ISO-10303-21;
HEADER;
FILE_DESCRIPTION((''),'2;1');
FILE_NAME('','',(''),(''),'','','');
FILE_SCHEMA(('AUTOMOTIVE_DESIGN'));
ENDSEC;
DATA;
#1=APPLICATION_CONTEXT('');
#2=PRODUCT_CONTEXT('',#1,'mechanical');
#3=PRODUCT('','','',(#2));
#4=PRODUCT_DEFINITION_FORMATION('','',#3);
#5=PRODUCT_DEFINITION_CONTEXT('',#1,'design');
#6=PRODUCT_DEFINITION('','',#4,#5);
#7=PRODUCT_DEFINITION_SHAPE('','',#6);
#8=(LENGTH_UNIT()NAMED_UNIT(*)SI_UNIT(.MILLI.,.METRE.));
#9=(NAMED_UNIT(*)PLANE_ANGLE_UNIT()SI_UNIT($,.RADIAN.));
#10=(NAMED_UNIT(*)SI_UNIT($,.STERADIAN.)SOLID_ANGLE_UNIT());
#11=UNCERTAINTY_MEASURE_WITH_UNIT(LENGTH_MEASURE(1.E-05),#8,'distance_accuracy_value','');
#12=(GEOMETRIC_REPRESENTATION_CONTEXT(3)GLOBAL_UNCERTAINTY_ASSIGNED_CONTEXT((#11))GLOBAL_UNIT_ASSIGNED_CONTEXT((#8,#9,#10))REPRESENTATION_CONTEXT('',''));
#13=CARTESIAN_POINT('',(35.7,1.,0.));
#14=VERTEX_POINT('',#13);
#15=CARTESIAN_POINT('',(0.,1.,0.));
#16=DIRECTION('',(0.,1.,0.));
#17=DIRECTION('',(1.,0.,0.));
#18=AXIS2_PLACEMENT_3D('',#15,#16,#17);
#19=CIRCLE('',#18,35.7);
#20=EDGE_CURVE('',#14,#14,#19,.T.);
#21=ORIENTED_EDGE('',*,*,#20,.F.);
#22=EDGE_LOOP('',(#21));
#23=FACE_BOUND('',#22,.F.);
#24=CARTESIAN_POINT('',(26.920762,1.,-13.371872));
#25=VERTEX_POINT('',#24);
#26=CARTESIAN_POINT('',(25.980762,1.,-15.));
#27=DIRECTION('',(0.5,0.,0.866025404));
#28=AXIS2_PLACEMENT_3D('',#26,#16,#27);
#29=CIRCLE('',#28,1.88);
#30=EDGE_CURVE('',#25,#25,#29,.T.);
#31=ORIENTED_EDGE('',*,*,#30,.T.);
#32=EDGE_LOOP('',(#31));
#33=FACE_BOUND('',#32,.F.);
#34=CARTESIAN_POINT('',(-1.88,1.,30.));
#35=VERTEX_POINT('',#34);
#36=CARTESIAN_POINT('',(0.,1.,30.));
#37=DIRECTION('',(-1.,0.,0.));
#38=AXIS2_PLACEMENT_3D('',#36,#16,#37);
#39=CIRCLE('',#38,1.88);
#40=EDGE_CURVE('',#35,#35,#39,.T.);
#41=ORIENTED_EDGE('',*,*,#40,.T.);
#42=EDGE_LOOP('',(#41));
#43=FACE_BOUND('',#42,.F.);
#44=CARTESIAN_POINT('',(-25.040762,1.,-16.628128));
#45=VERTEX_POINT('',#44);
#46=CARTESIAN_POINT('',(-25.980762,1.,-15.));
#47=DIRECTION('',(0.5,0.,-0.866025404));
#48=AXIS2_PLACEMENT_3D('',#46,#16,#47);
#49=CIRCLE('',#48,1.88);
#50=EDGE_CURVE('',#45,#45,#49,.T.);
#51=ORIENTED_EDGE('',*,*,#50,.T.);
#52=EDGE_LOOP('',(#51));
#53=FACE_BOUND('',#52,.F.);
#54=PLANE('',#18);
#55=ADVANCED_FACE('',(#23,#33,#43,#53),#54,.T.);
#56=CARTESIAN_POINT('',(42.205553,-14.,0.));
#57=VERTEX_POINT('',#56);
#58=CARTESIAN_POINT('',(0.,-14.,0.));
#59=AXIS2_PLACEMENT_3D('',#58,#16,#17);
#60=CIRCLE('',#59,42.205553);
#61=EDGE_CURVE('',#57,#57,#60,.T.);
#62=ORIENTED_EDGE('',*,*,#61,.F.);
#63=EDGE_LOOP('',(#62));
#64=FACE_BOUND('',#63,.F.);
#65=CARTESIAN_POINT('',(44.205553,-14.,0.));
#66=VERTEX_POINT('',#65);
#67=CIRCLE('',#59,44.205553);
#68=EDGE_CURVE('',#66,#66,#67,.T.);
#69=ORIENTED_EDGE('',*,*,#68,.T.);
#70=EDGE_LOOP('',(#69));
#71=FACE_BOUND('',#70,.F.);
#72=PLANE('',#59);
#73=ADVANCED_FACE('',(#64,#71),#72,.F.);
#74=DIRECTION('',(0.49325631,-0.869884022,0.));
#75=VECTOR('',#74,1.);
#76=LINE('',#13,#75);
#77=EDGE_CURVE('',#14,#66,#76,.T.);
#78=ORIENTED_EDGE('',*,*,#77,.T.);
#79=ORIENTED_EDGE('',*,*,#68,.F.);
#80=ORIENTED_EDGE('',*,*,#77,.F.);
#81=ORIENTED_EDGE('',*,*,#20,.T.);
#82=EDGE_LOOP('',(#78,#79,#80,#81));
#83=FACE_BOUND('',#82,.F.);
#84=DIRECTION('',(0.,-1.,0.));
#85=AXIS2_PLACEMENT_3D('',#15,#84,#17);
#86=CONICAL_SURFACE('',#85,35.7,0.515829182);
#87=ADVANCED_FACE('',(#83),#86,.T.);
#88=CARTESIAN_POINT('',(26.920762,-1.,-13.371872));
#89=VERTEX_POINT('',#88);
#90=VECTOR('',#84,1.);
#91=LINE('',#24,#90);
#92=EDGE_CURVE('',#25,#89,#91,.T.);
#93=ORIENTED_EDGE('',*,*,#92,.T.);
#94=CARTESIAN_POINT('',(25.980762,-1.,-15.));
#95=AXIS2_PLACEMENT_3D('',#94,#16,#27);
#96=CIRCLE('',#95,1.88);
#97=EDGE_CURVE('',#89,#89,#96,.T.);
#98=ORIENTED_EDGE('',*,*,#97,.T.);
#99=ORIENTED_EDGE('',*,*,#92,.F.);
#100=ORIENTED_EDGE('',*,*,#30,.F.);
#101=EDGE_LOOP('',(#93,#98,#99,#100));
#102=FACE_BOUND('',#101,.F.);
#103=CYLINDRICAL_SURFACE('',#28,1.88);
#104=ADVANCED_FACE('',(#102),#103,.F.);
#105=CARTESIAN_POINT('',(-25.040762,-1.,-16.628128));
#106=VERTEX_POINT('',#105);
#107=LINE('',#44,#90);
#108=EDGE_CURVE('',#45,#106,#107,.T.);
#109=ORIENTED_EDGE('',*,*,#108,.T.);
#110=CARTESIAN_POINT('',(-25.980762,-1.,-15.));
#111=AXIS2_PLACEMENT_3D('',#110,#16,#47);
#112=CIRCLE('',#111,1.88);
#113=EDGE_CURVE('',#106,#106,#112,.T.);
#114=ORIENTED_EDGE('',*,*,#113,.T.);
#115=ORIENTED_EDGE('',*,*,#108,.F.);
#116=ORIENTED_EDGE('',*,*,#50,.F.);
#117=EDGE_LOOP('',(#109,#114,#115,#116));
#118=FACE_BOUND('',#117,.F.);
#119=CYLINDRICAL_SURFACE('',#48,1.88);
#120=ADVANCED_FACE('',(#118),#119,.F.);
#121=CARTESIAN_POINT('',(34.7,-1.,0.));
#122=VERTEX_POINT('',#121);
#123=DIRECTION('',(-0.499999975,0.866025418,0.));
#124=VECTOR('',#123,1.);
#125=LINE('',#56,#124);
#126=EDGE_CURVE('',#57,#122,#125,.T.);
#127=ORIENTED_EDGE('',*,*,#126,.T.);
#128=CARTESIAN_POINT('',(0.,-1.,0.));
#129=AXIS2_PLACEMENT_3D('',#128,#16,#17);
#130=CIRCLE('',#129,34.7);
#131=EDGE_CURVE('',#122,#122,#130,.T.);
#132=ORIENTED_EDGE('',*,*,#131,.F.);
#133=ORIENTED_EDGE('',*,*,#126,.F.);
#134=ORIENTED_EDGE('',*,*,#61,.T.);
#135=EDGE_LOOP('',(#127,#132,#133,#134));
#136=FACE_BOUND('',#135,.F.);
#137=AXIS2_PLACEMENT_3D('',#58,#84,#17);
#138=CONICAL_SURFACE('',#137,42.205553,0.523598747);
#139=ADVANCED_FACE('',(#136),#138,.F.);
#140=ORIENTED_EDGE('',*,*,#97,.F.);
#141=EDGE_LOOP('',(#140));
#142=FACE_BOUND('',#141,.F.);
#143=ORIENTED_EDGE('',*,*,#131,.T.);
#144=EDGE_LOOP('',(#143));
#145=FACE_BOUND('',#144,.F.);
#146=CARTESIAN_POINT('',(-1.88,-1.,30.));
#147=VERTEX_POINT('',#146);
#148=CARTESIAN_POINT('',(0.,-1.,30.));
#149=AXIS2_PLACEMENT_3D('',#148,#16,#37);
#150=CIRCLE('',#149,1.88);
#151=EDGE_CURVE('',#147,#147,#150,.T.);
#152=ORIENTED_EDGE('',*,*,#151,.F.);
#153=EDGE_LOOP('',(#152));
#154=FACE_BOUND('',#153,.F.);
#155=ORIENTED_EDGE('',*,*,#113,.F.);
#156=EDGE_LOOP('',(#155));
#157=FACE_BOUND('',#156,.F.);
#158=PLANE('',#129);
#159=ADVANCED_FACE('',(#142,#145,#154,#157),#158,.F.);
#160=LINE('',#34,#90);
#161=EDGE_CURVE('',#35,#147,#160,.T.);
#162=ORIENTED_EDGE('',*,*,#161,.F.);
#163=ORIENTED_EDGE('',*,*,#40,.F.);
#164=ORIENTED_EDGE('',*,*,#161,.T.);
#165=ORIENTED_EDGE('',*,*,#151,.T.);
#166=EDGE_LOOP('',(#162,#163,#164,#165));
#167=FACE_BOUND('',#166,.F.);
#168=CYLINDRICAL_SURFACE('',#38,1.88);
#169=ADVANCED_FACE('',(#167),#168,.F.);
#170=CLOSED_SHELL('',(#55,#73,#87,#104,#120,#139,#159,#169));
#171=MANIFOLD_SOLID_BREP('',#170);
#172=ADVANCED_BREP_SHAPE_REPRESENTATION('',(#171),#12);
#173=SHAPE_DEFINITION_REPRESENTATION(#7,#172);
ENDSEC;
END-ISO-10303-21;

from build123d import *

# Parameters (mm, degrees)
SKETCH002_R        = 1.88
POCKET001_DEPTH    = 266.858481
POLARPATTERN_COUNT = 3


with BuildPart() as part:
    # Sketch → Revolution (revolve)
    with BuildSketch(Plane.XY):
        Polygon((0, 1), (35.7, 1), (44.205553, -14), (42.205553, -14), (34.7, -1), (0, -1), align=None)
    revolve(axis=Axis((0, 0, 0), (0, 1, 0)))

    # Sketch002 → Pocket001 (cut, through all)
    with BuildSketch(Plane(origin=(0, 1, 0), x_dir=(-1, 0, 0), z_dir=(0, 1, 0))):
        with Locations((0, 30)):
            Circle(SKETCH002_R)
    pocket001 = extrude(amount=-POCKET001_DEPTH, mode=Mode.SUBTRACT)

    # PolarPattern: Pocket001 ×3 about axis
    polarpattern_axis = Axis((0, 1, 0), (0, 1, 0))
    for i in range(1, POLARPATTERN_COUNT):
        add(pocket001.rotate(polarpattern_axis, i * 360 / POLARPATTERN_COUNT), mode=Mode.SUBTRACT)


solid = part.part
